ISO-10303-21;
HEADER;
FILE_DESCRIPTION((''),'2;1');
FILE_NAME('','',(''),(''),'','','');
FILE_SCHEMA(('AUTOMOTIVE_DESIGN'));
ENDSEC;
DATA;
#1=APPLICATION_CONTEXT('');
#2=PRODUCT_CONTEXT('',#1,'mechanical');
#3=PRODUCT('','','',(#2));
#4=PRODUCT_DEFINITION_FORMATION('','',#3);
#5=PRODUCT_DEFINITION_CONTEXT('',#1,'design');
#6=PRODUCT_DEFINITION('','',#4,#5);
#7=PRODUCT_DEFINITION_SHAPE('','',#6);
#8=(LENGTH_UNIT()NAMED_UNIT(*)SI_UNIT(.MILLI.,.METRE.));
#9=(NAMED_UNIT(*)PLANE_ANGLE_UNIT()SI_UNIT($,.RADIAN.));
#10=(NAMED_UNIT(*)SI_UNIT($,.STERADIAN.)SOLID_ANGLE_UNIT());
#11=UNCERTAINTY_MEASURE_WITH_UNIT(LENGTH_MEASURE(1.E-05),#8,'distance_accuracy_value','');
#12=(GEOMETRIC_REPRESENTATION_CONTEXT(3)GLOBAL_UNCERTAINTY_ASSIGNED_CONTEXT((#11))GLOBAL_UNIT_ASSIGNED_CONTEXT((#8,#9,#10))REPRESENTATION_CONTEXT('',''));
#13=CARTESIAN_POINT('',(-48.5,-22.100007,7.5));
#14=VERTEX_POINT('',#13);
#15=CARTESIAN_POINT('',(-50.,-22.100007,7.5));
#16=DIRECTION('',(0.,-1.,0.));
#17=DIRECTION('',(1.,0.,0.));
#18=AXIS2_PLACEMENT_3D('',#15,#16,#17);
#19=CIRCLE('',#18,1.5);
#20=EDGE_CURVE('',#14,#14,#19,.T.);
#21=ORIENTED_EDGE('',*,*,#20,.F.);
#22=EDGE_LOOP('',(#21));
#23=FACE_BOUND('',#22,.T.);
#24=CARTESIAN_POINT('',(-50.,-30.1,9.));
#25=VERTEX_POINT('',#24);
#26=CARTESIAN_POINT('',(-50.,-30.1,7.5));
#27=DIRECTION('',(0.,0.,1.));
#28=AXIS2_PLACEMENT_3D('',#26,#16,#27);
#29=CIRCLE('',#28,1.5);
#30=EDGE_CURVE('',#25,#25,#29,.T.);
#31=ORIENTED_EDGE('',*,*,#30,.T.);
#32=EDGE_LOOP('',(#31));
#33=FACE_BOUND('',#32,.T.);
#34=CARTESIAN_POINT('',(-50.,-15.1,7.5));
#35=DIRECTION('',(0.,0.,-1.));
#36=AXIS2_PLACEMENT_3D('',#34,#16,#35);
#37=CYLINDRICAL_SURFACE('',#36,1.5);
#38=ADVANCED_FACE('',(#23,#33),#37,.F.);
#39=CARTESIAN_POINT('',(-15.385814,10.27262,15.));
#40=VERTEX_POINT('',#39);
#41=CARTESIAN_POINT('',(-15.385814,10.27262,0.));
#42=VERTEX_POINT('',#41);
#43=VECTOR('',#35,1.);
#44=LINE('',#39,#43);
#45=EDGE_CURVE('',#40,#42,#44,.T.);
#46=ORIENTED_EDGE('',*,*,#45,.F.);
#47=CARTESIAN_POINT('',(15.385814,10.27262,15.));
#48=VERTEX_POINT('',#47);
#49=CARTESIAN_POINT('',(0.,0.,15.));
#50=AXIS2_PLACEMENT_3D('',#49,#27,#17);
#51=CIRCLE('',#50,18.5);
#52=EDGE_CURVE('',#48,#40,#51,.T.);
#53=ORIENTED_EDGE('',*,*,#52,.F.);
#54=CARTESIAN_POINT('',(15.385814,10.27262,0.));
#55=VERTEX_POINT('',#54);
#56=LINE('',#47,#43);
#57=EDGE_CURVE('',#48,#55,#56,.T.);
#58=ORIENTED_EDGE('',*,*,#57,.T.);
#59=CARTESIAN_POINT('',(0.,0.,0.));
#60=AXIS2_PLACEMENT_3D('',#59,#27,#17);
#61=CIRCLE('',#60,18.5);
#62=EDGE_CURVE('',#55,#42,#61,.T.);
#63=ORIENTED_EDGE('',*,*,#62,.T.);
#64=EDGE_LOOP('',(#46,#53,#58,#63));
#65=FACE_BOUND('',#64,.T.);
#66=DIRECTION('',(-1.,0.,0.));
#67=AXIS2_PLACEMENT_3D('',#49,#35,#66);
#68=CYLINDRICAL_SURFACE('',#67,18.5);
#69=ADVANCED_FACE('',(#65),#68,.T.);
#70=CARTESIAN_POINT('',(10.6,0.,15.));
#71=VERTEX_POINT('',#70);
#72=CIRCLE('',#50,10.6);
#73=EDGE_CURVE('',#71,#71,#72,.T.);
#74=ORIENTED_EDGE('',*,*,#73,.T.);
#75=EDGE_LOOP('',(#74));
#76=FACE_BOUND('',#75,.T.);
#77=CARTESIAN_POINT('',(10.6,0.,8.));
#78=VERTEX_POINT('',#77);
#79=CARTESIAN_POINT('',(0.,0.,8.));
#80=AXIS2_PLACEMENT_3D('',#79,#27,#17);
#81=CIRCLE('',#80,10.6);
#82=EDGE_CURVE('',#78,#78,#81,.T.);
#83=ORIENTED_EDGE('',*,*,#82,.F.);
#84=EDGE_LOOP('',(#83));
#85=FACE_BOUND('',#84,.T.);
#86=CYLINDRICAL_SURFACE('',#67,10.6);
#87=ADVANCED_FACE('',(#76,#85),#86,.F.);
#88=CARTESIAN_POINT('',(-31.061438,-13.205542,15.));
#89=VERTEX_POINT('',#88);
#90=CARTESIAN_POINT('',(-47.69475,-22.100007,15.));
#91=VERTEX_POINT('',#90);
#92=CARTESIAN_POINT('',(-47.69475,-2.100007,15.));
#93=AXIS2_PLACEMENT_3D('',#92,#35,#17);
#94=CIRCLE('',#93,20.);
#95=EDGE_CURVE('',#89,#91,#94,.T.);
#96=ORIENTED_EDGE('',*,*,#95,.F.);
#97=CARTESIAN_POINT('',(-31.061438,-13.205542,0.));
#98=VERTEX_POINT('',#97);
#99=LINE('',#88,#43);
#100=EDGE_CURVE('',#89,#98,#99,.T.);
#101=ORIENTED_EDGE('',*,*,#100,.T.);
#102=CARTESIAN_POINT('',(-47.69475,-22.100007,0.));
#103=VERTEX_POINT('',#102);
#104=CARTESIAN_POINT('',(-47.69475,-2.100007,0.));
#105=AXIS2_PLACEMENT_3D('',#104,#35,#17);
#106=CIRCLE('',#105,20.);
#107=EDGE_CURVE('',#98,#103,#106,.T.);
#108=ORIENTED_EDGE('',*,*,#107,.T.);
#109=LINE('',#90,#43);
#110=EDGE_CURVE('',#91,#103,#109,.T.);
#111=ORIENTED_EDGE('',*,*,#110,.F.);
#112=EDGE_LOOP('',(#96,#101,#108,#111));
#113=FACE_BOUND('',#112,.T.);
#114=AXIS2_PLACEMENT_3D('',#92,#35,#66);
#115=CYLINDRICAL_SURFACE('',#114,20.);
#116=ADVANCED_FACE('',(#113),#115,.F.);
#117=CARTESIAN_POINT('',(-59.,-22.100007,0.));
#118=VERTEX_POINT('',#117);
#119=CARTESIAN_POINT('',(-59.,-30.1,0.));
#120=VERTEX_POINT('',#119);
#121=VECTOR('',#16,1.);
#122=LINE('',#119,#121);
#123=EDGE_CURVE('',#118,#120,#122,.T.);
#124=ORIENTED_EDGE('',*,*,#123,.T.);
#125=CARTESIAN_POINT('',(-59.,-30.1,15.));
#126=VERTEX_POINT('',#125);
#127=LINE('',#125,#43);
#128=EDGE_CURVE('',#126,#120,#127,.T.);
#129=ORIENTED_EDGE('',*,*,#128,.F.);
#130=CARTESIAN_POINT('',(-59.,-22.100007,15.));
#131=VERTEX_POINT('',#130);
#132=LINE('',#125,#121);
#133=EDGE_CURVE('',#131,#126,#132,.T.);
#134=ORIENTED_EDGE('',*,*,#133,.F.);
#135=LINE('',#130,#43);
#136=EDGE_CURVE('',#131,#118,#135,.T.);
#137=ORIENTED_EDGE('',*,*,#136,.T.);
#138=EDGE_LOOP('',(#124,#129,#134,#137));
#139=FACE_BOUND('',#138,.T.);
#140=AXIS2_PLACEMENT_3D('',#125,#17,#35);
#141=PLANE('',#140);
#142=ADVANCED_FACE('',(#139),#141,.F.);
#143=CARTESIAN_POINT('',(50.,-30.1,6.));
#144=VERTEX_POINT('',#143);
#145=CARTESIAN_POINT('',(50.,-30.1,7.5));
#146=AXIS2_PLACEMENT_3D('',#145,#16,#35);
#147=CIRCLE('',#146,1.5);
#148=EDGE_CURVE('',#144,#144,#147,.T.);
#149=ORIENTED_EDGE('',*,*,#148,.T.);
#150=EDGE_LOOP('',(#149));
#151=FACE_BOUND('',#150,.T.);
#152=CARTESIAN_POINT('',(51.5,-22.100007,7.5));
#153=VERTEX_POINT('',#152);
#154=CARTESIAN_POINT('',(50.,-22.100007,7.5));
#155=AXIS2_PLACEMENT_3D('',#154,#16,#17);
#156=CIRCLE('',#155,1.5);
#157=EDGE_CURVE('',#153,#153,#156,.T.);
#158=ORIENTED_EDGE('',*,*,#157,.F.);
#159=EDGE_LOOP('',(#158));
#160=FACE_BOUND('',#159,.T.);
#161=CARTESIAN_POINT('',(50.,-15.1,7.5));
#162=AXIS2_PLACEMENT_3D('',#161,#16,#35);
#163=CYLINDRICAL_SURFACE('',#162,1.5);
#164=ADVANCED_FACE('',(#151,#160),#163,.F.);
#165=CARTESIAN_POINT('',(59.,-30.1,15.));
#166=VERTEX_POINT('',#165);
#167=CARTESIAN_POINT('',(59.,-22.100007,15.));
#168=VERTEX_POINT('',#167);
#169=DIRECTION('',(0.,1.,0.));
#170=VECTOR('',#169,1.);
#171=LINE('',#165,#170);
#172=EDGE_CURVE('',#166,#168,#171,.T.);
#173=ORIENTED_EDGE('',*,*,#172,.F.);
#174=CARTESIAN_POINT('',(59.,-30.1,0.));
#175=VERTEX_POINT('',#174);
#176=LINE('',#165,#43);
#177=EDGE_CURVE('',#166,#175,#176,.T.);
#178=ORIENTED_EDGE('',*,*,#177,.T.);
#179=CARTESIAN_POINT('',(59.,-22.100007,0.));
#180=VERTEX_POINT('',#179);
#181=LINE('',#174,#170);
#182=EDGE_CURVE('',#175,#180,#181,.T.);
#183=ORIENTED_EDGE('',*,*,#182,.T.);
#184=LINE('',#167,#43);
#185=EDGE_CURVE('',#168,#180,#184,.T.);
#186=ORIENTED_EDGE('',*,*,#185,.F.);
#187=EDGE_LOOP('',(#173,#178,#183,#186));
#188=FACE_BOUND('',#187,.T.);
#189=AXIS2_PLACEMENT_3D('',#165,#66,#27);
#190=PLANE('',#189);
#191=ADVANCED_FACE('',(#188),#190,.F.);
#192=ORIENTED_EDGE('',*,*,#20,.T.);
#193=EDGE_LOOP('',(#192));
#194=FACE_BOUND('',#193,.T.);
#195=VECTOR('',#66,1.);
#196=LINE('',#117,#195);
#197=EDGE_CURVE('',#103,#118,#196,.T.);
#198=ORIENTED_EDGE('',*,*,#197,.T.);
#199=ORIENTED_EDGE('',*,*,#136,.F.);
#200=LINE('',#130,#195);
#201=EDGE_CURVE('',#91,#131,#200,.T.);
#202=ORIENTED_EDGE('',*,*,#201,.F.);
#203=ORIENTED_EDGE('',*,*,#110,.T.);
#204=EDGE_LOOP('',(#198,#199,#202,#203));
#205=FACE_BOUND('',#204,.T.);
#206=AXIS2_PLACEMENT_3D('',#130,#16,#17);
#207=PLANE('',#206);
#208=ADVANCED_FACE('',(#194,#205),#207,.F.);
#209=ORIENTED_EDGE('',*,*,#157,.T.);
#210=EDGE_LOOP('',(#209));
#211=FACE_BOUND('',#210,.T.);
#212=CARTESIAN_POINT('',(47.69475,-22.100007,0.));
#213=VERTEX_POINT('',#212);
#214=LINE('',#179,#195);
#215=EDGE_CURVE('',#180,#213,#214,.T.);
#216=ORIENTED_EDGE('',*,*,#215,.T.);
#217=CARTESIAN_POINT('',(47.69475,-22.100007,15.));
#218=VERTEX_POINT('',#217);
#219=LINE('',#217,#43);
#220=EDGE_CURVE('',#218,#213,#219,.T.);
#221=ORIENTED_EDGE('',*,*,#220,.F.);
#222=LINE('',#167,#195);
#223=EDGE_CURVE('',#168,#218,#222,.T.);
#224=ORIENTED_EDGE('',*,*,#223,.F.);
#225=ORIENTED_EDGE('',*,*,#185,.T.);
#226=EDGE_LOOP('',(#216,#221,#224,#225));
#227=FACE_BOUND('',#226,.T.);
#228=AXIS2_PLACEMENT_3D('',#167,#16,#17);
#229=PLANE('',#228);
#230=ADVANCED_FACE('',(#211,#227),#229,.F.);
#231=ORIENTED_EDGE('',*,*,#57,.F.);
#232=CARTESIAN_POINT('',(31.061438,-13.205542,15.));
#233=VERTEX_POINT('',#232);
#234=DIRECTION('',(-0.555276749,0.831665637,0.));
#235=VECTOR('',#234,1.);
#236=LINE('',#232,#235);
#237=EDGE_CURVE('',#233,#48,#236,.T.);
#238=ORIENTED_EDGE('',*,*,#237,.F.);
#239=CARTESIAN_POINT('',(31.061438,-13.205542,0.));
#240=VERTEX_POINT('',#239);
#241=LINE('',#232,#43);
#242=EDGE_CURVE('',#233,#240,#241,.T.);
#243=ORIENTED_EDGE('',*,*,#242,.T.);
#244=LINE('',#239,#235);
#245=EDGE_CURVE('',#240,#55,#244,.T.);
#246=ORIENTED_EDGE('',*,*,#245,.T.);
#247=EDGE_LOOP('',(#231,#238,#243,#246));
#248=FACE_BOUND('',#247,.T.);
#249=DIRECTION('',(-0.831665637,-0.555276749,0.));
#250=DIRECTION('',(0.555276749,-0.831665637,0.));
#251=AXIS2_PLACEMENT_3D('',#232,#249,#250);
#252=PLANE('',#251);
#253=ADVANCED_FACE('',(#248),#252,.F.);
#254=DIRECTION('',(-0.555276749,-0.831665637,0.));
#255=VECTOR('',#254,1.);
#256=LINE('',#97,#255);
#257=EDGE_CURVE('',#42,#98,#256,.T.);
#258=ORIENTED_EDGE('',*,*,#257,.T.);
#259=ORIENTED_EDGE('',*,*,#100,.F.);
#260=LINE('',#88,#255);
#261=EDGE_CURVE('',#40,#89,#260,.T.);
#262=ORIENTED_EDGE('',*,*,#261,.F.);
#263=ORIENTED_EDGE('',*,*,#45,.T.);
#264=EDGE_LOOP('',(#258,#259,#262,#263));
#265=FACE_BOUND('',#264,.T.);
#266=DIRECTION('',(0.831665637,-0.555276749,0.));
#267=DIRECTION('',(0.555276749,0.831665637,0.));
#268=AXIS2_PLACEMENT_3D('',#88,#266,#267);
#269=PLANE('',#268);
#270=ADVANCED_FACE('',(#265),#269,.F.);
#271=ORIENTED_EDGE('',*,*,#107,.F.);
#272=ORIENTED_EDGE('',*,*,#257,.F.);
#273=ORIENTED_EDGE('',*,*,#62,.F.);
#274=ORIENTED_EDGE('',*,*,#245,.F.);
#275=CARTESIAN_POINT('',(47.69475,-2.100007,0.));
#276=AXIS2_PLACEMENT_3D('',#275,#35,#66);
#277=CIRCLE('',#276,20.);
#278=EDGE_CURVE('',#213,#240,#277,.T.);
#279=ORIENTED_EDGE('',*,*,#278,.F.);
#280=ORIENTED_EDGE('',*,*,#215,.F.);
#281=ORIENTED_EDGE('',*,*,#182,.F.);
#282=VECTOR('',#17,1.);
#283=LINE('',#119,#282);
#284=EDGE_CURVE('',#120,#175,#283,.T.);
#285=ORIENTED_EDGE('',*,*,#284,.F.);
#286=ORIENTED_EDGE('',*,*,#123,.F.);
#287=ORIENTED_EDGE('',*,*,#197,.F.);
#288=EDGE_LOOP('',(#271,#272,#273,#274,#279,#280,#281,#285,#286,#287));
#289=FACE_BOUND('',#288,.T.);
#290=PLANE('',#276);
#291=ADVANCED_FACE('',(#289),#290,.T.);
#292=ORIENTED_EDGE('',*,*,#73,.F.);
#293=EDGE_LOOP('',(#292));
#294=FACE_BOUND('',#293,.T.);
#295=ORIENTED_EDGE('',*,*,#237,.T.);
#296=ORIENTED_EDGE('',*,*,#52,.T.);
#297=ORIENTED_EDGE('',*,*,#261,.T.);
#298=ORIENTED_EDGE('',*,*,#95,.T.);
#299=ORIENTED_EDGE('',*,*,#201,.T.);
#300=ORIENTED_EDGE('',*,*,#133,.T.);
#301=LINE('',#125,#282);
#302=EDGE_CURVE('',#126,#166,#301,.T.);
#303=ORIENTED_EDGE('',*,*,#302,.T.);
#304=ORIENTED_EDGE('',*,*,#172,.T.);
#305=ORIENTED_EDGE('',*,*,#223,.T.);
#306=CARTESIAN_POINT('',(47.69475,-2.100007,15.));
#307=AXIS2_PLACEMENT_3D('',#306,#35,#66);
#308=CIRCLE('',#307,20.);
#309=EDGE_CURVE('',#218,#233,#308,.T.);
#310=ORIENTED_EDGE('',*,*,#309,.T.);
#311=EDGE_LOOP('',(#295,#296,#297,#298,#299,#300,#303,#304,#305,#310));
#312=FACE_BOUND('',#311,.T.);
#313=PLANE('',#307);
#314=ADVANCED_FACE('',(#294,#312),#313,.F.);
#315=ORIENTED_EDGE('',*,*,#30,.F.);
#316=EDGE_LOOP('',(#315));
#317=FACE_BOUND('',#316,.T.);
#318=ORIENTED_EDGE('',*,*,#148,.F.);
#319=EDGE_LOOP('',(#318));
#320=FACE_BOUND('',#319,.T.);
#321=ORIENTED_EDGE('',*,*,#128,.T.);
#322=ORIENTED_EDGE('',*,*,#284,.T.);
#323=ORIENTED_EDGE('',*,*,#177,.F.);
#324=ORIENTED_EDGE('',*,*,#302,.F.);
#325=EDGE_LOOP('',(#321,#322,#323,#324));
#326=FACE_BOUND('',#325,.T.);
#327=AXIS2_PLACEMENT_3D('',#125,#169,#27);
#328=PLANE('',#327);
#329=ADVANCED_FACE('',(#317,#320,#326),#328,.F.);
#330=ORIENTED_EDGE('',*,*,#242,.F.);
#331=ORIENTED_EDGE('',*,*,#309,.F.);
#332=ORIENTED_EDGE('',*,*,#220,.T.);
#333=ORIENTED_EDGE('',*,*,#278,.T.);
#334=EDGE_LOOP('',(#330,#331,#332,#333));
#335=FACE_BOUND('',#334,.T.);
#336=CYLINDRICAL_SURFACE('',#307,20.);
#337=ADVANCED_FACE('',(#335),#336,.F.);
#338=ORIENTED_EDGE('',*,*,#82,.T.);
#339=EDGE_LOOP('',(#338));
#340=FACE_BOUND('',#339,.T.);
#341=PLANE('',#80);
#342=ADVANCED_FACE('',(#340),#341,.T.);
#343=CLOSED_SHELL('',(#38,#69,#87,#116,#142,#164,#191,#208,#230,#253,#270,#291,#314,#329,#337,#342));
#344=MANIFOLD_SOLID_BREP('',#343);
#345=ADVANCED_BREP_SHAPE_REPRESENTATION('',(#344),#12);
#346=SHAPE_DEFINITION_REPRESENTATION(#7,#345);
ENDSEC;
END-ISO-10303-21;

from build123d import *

# Parameters (mm, degrees)
SKETCH4_R           = 10.6
BOSS_EXTRUDE3_DEPTH = 15
SKETCH5_R           = 1.5
CUT_EXTRUDE2_DEPTH  = 15
SKETCH4_2_R         = 10.6
BOSS_EXTRUDE4_DEPTH = 8


with BuildPart() as part:
    # Sketch4 → Boss-Extrude3 (new body)
    with BuildSketch(Plane.XY):
        with BuildLine():
            Line((-59, -30.1), (59, -30.1))
            Line((59, -30.1), (59, -22.100006907))
            Line((59, -22.100006907), (47.694750419, -22.100006907))
            ThreePointArc((47.694750419, -22.100006907), (38.263703272, -19.736768223), (31.061437671, -13.20554188))
            Line((31.061437671, -13.20554188), (15.385814292, 10.27261985))
            ThreePointArc((15.385814292, 10.27261985), (0, 18.5), (-15.385814292, 10.27261985))
            Line((-15.385814292, 10.27261985), (-31.061437671, -13.20554188))
            ThreePointArc((-31.061437671, -13.20554188), (-38.263703272, -19.736768223), (-47.694750419, -22.100006907))
            Line((-47.694750419, -22.100006907), (-59, -22.100006907))
            Line((-59, -22.100006907), (-59, -30.1))
        make_face()
        Circle(SKETCH4_R, mode=Mode.SUBTRACT)
    extrude(amount=BOSS_EXTRUDE3_DEPTH)

    # Sketch5 → Cut-Extrude2 (cut)
    with BuildSketch(Plane.XZ.offset(30.1)):
        with Locations((50, 7.5)):
            Circle(SKETCH5_R)
        with Locations((-50, 7.5)):
            Circle(SKETCH5_R)
    extrude(amount=-CUT_EXTRUDE2_DEPTH, mode=Mode.SUBTRACT)

    # Sketch4<2> → Boss-Extrude4 (add)
    with BuildSketch(Plane.XY):
        Circle(SKETCH4_2_R)
    extrude(amount=BOSS_EXTRUDE4_DEPTH)


solid = part.part
